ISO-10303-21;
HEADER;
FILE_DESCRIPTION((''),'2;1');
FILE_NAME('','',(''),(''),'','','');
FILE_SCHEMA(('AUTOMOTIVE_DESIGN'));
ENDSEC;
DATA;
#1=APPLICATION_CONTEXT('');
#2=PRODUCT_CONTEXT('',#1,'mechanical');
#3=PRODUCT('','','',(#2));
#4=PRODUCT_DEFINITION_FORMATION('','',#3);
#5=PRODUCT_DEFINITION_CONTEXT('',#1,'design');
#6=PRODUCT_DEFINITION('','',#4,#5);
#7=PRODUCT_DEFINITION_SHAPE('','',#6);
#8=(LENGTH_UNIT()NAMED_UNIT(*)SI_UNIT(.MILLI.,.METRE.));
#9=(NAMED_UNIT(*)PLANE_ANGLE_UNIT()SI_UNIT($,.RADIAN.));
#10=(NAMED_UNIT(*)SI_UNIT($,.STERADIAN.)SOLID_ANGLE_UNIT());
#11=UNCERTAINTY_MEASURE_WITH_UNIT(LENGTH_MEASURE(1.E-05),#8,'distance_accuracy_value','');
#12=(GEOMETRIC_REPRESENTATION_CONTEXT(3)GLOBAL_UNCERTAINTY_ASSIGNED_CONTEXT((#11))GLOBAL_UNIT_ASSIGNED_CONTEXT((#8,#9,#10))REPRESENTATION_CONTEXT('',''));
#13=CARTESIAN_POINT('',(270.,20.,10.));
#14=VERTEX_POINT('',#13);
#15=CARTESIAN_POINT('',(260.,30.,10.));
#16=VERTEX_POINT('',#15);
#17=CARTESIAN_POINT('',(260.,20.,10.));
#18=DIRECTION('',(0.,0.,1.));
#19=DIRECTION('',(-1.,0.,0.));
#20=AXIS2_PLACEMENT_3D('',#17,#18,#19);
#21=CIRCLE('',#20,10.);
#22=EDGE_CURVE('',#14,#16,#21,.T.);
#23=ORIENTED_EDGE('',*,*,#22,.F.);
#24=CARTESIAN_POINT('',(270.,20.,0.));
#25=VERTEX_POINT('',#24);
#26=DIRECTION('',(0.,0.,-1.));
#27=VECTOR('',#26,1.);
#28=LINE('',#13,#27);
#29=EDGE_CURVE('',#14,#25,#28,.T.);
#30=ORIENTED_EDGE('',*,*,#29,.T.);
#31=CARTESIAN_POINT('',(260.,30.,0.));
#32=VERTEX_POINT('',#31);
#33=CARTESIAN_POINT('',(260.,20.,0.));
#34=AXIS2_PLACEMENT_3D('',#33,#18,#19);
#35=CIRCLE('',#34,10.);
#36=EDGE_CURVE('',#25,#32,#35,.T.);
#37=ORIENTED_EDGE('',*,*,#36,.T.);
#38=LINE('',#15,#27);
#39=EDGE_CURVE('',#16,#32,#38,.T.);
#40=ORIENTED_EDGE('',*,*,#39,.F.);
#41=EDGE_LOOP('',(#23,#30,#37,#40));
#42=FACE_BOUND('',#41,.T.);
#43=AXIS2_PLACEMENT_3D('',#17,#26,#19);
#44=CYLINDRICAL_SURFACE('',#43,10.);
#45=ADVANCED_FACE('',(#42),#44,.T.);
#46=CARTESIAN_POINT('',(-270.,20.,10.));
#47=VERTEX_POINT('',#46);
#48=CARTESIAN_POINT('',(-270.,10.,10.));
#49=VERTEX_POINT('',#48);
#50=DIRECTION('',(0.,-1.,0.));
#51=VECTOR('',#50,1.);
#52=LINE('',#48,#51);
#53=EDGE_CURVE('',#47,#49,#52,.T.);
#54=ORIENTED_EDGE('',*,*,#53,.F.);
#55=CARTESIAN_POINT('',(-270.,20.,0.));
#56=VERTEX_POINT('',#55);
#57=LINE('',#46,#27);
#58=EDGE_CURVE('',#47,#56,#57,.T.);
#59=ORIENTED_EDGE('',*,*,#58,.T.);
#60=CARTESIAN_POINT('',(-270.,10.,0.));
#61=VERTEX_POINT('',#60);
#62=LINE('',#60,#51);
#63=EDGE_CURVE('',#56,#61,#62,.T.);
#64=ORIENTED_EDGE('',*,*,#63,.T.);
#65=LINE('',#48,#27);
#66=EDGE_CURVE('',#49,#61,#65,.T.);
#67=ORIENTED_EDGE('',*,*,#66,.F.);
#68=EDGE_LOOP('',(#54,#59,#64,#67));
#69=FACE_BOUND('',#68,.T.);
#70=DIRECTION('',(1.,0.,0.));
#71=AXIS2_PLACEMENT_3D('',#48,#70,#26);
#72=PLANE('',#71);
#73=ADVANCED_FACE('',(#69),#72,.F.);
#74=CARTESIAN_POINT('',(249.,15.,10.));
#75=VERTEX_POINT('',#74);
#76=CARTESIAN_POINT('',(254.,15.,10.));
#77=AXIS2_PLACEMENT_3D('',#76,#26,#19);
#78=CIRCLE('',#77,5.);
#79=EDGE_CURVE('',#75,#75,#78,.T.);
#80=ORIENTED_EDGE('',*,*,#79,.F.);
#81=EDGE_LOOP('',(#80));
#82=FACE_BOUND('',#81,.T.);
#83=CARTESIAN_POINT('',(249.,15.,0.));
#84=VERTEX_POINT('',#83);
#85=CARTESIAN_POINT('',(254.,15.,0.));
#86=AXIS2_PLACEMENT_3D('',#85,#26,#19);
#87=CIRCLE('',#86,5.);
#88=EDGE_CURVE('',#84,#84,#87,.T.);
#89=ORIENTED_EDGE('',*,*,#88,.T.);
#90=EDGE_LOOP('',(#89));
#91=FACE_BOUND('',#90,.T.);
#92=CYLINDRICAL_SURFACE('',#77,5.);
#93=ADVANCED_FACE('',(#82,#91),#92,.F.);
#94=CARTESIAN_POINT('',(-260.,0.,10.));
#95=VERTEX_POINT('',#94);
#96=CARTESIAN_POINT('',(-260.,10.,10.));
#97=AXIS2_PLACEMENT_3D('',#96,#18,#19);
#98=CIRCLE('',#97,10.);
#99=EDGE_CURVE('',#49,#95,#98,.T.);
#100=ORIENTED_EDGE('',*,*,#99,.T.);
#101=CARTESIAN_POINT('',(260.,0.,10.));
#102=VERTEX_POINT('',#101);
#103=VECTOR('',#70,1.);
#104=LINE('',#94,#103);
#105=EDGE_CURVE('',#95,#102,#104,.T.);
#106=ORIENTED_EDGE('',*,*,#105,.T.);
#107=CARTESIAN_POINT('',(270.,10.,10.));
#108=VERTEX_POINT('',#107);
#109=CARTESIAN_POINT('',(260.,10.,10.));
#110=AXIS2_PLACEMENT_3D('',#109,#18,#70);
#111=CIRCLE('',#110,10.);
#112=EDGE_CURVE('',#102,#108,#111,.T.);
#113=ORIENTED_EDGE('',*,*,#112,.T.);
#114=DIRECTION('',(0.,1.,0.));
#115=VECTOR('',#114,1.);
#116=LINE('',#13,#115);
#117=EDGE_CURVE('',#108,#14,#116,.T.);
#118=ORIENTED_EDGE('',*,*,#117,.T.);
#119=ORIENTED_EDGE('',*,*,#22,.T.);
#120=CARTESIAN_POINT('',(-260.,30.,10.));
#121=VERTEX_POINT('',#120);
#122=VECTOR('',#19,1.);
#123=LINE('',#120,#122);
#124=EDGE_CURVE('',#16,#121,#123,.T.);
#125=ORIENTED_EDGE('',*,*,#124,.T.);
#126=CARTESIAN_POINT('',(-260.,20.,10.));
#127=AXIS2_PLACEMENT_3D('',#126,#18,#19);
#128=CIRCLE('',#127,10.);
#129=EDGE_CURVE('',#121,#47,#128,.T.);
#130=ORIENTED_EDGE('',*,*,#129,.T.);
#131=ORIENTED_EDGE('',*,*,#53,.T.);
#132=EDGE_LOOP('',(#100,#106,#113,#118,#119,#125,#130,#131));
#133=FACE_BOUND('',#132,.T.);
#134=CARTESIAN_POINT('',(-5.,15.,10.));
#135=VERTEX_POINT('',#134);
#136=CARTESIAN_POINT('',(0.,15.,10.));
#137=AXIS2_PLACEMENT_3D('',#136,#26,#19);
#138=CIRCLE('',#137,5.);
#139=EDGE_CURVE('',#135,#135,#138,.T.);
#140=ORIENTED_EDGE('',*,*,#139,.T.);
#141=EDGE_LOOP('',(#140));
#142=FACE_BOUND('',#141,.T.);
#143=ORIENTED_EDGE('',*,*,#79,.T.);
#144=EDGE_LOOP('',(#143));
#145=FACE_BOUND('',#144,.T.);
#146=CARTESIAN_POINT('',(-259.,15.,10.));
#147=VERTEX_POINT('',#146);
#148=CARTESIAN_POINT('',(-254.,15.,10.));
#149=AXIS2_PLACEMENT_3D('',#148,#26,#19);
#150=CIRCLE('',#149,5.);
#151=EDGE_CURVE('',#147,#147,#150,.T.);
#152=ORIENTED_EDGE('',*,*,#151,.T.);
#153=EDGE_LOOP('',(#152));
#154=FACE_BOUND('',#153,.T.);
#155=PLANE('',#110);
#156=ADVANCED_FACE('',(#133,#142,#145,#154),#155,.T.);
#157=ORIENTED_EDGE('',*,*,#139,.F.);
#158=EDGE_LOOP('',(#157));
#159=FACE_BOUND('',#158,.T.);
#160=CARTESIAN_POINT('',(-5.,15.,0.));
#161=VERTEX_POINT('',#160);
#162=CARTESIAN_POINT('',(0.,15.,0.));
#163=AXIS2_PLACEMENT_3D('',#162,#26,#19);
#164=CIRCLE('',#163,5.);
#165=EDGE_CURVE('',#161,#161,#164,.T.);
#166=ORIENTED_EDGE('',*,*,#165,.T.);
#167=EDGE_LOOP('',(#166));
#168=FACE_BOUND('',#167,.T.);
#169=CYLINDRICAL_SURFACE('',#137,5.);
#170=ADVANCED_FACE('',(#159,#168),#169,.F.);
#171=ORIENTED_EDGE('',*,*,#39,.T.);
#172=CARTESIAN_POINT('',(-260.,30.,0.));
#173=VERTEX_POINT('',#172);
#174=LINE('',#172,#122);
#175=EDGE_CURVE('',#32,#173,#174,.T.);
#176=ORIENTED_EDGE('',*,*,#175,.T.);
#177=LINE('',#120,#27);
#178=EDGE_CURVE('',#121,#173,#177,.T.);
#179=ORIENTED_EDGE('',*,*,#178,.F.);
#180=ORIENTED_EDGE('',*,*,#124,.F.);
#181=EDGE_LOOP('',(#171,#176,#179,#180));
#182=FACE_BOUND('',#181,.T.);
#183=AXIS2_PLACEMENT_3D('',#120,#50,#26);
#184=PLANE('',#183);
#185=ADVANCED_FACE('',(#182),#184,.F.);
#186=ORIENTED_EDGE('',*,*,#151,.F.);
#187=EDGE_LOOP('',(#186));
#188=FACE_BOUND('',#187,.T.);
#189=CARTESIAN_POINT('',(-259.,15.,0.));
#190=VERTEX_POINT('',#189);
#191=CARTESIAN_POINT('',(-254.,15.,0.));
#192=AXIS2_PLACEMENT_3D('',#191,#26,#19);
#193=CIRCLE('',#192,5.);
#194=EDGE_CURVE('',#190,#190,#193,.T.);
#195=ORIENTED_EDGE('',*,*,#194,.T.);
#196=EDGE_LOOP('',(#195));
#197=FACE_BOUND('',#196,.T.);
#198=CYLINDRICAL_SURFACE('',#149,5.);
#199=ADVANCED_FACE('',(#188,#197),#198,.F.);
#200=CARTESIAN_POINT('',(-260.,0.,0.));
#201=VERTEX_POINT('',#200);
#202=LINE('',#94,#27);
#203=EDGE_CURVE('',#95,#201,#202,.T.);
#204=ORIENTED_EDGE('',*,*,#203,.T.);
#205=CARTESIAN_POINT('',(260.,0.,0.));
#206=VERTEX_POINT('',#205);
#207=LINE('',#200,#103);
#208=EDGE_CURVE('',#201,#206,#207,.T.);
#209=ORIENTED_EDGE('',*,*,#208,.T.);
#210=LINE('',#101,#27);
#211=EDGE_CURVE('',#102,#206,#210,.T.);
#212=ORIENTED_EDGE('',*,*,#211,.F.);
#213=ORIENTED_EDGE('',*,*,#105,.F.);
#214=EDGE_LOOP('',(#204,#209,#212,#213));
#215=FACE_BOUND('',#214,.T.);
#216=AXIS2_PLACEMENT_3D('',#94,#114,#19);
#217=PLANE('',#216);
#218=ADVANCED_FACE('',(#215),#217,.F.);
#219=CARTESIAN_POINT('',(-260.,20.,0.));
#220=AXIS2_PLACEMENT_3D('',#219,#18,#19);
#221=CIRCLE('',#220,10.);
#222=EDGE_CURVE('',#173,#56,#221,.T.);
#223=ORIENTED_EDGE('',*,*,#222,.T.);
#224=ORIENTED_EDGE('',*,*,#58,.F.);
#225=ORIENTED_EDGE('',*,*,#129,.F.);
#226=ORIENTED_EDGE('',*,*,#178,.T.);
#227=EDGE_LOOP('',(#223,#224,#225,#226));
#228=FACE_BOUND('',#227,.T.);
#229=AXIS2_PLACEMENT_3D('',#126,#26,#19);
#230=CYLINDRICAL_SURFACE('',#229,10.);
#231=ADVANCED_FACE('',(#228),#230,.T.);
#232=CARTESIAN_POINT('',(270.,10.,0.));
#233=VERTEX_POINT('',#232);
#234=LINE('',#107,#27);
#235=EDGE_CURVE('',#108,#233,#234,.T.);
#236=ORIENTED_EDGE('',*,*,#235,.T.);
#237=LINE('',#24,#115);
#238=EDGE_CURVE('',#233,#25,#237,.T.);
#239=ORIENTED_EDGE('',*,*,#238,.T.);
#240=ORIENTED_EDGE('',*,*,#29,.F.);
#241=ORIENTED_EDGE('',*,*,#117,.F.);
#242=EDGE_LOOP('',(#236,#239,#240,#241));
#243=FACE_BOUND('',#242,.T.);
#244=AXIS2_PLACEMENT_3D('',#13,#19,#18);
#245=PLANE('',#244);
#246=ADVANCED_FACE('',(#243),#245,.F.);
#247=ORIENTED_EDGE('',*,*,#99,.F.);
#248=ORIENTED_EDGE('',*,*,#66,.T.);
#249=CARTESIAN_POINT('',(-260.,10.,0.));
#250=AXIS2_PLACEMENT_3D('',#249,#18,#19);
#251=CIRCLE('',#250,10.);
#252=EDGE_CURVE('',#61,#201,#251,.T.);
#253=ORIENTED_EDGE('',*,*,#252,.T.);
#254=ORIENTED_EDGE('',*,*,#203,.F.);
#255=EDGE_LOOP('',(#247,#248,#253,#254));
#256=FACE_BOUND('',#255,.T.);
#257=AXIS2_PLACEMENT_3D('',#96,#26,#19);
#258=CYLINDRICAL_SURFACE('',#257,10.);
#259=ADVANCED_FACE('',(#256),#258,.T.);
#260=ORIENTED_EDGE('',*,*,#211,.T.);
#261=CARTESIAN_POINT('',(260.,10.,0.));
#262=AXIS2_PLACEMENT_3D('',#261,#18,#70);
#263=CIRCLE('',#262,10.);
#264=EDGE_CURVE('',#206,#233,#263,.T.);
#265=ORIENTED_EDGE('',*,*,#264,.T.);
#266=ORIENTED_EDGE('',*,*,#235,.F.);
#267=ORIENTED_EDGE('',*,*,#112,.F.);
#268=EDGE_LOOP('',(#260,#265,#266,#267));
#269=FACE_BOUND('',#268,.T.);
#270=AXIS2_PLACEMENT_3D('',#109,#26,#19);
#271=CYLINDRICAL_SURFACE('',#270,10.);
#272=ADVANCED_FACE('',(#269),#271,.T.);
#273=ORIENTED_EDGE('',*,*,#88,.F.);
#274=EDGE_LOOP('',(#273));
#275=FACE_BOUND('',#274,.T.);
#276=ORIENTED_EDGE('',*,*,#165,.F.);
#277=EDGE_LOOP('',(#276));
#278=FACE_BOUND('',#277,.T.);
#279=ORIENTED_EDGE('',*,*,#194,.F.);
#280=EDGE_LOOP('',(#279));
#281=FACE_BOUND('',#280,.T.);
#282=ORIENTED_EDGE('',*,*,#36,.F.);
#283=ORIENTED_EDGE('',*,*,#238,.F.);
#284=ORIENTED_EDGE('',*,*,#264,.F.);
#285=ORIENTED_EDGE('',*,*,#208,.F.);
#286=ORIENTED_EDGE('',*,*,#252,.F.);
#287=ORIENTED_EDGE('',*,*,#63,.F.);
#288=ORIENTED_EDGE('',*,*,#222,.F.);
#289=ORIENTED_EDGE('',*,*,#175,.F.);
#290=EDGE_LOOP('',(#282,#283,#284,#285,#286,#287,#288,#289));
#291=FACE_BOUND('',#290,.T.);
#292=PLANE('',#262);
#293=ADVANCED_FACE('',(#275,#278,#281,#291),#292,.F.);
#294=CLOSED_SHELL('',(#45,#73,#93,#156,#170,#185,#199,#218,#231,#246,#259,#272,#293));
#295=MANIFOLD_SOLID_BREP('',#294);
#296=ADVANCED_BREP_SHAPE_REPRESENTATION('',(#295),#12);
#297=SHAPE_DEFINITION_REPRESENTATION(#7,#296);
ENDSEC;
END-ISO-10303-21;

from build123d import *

# Parameters (mm, degrees)
BOSS_EXTRUDE1_DEPTH = 10
SKETCH3_R           = 5
CUT_EXTRUDE1_DEPTH  = 272.845544381
SKETCH4_R           = 5
CUT_EXTRUDE2_DEPTH  = 272.845544381


with BuildPart() as part:
    # Sketch2 → Boss-Extrude1 (new body)
    with BuildSketch(Plane.XY):
        with BuildLine():
            Line((-260, 0), (260, 0))
            ThreePointArc((260, 0), (267.071067812, 2.928932188), (270, 10))
            Line((270, 10), (270, 20))
            ThreePointArc((270, 20), (267.071067812, 27.071067812), (260, 30))
            Line((260, 30), (-260, 30))
            ThreePointArc((-260, 30), (-267.071067812, 27.071067812), (-270, 20))
            Line((-270, 20), (-270, 10))
            ThreePointArc((-270, 10), (-267.071067812, 2.928932188), (-260, 0))
        make_face()
    extrude(amount=BOSS_EXTRUDE1_DEPTH)

    # Sketch3 → Cut-Extrude1 (cut, through all)
    with BuildSketch(Plane(origin=(0, 0, 0), x_dir=(-1, 0, 0), z_dir=(0, 0, -1))):
        with Locations((254, 15)):
            Circle(SKETCH3_R)
        with Locations((-254, 15)):
            Circle(SKETCH3_R)
    extrude(amount=-CUT_EXTRUDE1_DEPTH, mode=Mode.SUBTRACT)

    # Sketch4 → Cut-Extrude2 (cut, through all)
    with BuildSketch(Plane(origin=(0, 0, 0), x_dir=(-1, 0, 0), z_dir=(0, 0, -1))):
        with Locations((0, 15)):
            Circle(SKETCH4_R)
    extrude(amount=-CUT_EXTRUDE2_DEPTH, mode=Mode.SUBTRACT)


solid = part.part
